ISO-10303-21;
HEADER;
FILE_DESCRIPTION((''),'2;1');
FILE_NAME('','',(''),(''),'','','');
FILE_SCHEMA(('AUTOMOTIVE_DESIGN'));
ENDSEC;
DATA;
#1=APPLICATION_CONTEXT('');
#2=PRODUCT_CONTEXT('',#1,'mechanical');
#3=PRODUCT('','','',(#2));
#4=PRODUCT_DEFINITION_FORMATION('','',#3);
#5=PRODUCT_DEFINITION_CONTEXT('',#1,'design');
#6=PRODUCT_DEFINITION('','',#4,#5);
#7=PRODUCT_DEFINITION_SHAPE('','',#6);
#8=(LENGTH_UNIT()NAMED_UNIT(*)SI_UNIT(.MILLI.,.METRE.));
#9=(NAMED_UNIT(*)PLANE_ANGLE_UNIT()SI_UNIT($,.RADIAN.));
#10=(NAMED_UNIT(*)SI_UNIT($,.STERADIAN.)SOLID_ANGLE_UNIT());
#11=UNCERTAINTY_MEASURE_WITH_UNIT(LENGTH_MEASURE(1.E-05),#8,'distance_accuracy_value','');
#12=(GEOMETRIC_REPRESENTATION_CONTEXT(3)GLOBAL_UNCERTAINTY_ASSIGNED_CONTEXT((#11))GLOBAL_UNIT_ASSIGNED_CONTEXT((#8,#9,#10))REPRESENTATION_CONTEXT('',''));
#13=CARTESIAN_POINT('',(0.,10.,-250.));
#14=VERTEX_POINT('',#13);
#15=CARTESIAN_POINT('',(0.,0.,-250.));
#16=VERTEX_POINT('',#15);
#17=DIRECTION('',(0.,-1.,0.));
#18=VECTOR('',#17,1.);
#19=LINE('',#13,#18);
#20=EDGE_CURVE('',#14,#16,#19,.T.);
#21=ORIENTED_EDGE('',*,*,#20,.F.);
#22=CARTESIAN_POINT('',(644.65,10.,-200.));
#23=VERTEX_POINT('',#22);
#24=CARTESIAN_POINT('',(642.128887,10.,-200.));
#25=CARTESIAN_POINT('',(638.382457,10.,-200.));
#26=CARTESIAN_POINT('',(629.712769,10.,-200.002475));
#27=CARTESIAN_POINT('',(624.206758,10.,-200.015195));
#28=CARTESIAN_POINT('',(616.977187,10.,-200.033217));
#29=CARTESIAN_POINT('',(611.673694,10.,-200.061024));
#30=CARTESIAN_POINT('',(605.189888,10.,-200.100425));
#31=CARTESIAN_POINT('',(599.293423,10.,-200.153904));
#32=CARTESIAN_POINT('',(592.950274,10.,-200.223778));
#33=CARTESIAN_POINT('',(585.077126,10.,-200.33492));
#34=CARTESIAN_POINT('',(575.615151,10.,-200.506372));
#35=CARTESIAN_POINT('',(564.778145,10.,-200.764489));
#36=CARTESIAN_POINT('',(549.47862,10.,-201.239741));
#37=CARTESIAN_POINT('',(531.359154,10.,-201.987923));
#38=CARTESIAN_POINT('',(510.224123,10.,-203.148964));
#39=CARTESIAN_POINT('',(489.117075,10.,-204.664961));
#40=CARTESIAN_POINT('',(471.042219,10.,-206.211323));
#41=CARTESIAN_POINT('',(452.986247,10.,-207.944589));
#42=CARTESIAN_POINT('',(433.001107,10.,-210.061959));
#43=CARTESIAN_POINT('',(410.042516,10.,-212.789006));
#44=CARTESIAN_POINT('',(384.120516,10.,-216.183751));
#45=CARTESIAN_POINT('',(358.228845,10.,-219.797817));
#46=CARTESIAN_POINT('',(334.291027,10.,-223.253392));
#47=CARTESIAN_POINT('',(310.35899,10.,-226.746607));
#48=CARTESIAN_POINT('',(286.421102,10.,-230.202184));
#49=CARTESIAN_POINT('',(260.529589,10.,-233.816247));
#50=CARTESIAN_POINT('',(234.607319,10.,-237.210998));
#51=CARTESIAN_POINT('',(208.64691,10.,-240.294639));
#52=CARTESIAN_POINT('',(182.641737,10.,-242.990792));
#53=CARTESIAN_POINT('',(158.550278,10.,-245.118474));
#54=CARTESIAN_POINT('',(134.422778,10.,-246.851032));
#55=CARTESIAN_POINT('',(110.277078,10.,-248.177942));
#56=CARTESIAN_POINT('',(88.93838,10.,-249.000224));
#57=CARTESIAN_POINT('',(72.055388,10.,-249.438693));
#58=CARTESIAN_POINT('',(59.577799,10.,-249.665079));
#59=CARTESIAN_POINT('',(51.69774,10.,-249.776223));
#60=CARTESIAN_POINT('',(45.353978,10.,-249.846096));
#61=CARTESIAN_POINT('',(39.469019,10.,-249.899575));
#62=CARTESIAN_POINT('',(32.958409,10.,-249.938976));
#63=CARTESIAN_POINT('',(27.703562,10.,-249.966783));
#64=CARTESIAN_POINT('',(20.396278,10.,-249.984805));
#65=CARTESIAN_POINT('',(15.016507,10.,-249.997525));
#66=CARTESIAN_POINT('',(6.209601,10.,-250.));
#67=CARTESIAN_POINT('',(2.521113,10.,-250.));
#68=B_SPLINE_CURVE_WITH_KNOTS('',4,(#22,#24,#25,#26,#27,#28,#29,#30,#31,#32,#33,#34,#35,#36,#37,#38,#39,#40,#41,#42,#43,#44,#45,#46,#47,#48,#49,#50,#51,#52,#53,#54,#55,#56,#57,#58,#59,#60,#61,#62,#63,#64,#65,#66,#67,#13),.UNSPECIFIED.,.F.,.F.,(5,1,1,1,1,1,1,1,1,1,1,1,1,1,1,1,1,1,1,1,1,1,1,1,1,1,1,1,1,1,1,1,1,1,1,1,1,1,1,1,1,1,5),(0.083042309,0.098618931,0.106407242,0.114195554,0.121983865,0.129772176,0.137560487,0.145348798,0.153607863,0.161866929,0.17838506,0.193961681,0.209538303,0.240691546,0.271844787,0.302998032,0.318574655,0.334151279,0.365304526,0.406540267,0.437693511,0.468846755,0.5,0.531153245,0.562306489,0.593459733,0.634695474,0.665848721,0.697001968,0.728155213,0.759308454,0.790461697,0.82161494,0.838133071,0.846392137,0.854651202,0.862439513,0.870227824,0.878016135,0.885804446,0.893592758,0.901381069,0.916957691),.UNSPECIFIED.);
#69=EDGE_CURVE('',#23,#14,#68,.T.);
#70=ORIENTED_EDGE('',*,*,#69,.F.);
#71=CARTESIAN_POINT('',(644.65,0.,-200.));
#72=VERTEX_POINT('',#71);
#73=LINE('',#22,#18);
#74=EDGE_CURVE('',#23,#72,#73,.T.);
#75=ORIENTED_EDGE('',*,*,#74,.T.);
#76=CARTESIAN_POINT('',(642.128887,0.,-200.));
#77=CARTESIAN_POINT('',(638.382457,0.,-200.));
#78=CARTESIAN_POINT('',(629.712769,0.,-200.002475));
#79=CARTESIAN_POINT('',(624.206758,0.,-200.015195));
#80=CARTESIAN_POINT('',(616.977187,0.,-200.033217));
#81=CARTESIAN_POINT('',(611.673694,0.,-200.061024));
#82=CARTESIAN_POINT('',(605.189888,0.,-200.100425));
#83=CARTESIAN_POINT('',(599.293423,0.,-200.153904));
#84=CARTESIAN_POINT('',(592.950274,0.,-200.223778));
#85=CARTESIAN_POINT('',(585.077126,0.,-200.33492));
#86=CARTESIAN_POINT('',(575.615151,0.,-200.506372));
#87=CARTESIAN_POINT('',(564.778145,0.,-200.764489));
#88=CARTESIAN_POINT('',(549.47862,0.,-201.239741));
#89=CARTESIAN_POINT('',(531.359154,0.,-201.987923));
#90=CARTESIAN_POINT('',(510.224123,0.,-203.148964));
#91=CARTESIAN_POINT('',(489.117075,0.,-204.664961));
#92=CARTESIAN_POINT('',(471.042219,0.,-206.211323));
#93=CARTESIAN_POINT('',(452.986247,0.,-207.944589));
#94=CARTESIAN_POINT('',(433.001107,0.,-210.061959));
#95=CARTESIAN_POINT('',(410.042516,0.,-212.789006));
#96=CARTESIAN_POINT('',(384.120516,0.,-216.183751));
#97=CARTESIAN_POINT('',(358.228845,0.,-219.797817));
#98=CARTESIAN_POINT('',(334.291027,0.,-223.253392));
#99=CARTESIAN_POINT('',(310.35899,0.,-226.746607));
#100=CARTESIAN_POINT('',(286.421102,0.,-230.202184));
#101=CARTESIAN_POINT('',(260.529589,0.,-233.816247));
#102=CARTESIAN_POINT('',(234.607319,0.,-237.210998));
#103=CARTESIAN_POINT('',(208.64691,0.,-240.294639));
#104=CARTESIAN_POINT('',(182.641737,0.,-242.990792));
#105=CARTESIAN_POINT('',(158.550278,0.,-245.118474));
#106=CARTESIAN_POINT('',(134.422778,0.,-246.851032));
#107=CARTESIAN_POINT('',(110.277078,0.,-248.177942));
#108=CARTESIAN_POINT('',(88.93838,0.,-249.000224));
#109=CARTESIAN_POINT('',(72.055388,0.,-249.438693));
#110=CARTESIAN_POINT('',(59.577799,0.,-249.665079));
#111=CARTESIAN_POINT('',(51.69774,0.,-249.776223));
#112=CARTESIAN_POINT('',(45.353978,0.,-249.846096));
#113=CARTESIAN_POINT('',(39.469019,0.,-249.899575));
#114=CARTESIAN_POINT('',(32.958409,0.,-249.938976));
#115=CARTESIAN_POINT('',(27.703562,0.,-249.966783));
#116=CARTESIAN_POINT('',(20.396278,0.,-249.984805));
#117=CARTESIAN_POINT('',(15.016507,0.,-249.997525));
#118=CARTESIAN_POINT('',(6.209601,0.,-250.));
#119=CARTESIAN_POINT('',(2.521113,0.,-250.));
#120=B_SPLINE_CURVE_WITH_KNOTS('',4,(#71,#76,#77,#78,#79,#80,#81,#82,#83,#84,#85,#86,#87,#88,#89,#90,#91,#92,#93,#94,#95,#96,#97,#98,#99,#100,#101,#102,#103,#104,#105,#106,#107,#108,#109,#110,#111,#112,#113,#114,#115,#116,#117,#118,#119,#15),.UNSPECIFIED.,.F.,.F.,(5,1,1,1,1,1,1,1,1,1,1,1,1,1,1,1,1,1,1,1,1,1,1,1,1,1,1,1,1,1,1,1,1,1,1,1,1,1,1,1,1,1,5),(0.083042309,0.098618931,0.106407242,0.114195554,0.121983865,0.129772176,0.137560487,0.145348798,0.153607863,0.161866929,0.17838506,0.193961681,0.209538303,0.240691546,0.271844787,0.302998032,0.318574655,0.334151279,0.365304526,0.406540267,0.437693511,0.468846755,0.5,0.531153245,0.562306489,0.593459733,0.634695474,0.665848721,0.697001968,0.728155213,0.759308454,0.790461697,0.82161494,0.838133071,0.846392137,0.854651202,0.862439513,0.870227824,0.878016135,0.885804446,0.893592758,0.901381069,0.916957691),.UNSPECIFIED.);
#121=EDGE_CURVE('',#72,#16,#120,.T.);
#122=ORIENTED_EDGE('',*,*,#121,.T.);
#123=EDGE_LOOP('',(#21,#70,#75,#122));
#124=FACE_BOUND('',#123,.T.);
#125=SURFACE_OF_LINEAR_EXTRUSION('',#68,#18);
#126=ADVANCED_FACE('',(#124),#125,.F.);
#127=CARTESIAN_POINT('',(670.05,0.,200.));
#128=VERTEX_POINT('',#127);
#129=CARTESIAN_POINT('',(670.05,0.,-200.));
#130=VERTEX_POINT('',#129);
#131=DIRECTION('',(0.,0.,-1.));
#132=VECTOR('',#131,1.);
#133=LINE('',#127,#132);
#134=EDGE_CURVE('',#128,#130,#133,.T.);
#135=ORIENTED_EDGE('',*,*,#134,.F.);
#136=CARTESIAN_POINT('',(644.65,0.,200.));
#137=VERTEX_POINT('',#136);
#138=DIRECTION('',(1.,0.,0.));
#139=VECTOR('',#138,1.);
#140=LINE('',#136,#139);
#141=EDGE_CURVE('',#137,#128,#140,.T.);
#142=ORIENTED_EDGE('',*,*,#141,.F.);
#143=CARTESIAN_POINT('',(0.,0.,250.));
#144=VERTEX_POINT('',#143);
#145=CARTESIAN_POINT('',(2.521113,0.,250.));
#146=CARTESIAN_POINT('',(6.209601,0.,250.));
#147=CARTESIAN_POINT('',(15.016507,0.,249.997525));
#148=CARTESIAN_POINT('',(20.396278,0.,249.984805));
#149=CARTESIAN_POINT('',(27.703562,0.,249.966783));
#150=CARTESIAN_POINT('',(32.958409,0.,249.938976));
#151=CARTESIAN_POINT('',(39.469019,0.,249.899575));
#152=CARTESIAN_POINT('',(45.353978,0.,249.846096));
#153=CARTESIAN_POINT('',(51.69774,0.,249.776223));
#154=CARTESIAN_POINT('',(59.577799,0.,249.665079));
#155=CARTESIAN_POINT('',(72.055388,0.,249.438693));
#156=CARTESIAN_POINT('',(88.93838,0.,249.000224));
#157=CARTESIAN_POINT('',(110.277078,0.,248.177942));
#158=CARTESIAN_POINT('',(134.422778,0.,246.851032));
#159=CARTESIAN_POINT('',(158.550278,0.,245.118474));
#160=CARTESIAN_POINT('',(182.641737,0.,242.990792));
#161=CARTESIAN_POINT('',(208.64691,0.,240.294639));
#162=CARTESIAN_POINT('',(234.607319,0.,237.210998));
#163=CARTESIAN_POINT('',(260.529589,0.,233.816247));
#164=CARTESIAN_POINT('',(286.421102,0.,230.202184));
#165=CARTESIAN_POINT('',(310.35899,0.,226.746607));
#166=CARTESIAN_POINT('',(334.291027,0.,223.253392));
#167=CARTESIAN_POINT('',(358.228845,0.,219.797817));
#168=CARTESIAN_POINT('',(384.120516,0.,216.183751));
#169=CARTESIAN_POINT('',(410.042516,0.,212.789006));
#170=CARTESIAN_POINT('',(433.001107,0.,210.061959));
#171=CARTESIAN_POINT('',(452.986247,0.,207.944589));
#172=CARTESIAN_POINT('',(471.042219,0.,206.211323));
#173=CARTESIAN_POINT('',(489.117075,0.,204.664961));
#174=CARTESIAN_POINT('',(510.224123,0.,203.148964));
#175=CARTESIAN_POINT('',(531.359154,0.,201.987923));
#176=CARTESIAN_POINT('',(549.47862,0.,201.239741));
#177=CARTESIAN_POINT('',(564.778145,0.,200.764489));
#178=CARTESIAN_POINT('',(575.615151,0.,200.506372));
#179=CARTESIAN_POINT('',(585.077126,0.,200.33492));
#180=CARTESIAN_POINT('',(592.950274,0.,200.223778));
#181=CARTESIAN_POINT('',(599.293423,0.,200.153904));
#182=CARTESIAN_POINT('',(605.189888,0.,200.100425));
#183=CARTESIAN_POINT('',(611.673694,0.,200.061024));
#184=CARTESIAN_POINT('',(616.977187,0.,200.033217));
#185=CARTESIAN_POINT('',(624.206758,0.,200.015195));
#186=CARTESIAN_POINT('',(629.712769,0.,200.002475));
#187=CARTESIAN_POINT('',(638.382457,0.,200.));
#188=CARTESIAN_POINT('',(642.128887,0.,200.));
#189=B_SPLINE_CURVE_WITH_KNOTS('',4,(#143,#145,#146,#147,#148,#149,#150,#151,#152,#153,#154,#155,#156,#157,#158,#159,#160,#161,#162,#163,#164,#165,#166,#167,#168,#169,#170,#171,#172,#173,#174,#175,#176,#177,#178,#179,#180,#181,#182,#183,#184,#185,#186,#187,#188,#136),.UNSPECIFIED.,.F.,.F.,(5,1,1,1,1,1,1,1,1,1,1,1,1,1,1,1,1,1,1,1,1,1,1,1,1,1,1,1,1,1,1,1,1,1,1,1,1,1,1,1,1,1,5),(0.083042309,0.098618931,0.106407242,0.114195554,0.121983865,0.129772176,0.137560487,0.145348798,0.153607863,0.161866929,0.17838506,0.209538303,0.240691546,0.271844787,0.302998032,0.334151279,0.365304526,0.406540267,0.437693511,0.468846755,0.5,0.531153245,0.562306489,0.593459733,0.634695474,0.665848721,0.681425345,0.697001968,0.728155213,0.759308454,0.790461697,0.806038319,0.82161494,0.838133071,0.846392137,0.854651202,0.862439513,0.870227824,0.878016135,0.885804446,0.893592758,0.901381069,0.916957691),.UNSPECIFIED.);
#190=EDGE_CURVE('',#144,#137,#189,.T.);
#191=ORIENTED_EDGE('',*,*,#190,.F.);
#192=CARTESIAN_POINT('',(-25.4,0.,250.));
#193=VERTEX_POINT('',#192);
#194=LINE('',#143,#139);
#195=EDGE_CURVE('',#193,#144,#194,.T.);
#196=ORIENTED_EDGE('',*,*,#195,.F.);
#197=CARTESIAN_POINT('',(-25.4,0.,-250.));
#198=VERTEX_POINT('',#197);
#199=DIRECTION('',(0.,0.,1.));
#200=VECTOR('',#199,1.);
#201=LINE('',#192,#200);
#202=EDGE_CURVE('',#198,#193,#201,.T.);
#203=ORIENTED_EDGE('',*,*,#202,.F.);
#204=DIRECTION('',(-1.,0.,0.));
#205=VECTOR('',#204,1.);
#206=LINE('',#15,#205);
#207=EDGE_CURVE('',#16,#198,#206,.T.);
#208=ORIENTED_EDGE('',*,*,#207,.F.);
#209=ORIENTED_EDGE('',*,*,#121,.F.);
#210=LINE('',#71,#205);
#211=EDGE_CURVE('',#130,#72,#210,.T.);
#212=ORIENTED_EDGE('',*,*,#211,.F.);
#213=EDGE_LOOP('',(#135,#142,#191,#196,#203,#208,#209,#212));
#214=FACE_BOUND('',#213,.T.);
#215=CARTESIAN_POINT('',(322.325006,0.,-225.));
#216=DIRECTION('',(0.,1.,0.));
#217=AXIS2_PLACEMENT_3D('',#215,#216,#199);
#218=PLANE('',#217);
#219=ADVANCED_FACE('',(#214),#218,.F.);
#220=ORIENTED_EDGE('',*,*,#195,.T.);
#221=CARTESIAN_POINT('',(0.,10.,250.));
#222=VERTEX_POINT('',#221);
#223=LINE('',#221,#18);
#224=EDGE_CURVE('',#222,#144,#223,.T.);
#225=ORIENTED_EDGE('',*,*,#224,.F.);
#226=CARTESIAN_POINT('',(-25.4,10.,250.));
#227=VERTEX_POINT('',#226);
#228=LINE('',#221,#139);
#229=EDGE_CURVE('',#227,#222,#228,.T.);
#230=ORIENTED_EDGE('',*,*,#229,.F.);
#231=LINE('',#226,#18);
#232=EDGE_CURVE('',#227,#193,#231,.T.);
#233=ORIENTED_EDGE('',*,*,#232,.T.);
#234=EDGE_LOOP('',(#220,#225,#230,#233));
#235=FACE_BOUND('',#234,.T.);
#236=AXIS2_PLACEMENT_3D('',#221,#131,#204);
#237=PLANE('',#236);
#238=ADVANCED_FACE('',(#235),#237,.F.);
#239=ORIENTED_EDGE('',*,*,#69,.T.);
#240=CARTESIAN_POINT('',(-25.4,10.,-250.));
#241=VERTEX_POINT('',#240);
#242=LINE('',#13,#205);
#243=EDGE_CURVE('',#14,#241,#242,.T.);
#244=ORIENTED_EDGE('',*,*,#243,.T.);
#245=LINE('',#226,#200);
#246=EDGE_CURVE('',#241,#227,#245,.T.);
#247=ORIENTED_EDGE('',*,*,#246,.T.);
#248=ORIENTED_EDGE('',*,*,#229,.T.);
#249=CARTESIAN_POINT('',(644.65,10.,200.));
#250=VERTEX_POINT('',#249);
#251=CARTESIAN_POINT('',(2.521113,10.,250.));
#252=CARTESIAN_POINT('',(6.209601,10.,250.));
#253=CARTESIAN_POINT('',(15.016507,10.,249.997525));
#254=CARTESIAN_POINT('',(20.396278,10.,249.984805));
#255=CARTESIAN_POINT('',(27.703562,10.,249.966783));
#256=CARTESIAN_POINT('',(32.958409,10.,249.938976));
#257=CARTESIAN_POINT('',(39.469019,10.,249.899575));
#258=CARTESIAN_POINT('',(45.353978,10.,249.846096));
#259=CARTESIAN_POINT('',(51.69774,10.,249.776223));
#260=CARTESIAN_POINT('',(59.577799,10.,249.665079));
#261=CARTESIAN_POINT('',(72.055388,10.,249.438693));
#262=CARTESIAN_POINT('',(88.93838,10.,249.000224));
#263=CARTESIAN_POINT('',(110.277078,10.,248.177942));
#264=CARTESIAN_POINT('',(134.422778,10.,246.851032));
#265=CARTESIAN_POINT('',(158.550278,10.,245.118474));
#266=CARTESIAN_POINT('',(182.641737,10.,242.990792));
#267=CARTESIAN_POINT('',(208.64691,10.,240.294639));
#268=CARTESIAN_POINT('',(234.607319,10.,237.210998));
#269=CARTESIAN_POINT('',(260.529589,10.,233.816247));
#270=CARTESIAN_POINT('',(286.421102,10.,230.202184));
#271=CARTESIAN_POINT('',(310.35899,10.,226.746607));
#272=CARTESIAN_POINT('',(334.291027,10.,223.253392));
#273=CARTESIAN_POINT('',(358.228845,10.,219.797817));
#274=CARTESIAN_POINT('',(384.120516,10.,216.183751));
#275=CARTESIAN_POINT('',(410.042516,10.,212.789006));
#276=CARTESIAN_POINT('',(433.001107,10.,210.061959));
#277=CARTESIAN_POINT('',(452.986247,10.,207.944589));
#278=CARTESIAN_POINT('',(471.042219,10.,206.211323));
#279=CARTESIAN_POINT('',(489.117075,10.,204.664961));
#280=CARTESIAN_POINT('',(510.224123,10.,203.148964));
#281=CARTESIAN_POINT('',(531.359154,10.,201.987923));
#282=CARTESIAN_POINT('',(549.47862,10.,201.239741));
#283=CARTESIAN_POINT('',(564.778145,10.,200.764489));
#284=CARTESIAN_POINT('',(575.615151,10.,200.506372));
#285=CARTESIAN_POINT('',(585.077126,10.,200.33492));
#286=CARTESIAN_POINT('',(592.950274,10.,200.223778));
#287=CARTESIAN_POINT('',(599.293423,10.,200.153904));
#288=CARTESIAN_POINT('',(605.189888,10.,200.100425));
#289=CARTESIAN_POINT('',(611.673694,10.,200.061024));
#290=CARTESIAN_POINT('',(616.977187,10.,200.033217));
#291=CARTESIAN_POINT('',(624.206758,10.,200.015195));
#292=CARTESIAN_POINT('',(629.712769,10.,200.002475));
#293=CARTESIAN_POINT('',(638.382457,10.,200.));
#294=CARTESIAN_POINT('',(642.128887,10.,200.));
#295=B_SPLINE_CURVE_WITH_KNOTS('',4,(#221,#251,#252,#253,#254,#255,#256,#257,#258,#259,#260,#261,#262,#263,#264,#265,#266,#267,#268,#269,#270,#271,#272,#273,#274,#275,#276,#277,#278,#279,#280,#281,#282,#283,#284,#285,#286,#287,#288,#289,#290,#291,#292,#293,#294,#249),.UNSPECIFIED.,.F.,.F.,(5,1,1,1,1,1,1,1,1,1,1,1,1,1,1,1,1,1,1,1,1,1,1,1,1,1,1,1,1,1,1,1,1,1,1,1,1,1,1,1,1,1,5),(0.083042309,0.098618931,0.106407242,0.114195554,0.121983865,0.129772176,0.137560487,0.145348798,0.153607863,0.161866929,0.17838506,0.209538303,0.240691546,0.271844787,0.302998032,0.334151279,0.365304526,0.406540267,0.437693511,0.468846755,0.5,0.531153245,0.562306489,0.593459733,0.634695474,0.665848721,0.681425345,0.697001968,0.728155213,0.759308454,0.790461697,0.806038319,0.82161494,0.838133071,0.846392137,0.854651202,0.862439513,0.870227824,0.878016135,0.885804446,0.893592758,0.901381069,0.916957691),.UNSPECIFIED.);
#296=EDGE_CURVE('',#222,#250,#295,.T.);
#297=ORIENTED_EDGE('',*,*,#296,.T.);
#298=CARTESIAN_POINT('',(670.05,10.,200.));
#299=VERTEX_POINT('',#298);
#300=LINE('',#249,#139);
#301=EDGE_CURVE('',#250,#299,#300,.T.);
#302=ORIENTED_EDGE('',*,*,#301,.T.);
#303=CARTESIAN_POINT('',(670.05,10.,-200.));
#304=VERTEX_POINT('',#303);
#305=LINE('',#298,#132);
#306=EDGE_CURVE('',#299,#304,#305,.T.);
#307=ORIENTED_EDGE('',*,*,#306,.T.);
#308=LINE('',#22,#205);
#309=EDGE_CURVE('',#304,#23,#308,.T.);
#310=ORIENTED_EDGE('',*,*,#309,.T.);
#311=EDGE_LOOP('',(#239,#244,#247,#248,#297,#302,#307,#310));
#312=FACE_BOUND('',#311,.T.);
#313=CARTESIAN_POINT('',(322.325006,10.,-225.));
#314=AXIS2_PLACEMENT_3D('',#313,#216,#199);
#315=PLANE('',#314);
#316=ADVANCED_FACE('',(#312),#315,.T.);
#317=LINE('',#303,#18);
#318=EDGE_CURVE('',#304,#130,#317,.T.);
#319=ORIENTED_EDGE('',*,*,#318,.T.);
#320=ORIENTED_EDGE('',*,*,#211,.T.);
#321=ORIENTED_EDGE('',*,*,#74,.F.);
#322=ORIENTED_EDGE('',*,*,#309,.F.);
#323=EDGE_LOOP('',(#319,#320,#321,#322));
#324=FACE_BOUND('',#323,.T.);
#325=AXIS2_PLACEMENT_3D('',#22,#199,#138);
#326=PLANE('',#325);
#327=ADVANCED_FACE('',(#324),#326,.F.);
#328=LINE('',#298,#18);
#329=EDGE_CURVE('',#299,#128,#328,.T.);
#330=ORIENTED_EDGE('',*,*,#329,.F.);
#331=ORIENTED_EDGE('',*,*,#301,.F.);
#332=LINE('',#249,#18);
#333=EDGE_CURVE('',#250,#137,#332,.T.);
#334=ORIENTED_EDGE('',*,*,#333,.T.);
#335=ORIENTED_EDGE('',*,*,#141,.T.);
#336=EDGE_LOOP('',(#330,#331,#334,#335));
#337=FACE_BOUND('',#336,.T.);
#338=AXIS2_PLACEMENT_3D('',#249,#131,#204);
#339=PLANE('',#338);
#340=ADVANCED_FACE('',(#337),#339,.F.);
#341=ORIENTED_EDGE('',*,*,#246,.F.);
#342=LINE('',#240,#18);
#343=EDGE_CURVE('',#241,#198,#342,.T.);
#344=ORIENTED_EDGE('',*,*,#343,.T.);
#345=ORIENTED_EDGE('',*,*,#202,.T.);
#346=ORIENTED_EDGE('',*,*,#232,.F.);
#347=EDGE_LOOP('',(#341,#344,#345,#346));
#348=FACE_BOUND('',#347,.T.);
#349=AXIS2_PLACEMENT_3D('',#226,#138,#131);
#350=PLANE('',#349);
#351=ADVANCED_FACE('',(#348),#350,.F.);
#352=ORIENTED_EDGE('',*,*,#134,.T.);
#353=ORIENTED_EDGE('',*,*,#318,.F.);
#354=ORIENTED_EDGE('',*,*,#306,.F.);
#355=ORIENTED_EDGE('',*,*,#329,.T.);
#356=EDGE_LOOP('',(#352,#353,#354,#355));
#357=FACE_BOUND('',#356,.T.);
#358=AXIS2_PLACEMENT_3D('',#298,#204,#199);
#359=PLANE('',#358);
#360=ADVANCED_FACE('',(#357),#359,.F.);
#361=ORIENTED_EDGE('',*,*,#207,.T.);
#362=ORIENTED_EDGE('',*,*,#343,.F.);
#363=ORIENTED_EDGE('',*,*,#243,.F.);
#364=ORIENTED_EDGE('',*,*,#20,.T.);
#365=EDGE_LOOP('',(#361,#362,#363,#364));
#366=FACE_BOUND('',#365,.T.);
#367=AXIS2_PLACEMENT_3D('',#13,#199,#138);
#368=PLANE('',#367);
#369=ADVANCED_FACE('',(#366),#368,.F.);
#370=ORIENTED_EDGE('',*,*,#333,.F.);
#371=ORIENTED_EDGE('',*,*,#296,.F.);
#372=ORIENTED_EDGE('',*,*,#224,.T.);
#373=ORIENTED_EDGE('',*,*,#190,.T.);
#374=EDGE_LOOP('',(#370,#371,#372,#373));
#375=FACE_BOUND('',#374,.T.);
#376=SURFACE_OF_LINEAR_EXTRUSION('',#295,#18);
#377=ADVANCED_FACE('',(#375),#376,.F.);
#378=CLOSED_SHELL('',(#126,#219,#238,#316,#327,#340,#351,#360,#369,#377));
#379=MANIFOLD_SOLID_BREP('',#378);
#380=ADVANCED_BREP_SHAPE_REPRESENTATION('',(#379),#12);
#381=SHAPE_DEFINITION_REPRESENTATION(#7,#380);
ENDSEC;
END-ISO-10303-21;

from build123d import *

# Parameters (mm, degrees)
BOSS_EXTRUDE1_DEPTH = 10


with BuildPart() as part:
    # Sketch2 → Boss-Extrude1 (new body)
    with BuildSketch(Plane(origin=(0, 0, 0), x_dir=(1, 0, 0), z_dir=(0, 1, 0))):
        with BuildLine():
            Line((644.65, -200), (670.05, -200))
            Line((670.05, -200), (670.05, 200))
            Line((670.05, 200), (644.65, 200))
            add(Edge.make_bspline(
                [(0, 250), (2.521112677, 250), (6.209600906, 250.000000013), (15.016507291, 249.997525286), (20.396277848, 249.984804824), (27.70356243, 249.966782803), (32.958409359, 249.938976051), (39.469019484, 249.899575195), (45.353978298, 249.846095557), (51.697739738, 249.776222765), (59.577798777, 249.665078925), (72.055387865, 249.438693031), (88.938380089, 249.000224322), (110.277077943, 248.177942168), (134.422777808, 246.851031881), (158.55027755, 245.118473578), (182.641737439, 242.990791615), (208.646910269, 240.294638586), (234.607319329, 237.210998029), (260.529589307, 233.816247037), (286.421101664, 230.202184451), (310.358989888, 226.746607494), (334.291027152, 223.253392129), (358.228844737, 219.797816743), (384.120515654, 216.183750571), (410.042516088, 212.789005998), (433.001107322, 210.061958697), (452.986247288, 207.944588912), (471.042219017, 206.211322516), (489.117075126, 204.66496144), (510.224122789, 203.148964488), (531.359153773, 201.987923337), (549.478620255, 201.239741285), (564.778145102, 200.764489073), (575.615150606, 200.506371685), (585.077126141, 200.334920277), (592.950274347, 200.223777792), (599.293422889, 200.153904026), (605.18988803, 200.10042507), (611.673694072, 200.061023789), (616.977186653, 200.033217286), (624.206757774, 200.015195133), (629.71276906, 200.002474739), (638.382457019, 199.999999985), (642.128887323, 200), (644.65, 200)],
                knots=[0.083042309, 0.083042309, 0.083042309, 0.083042309, 0.083042309, 0.098618931, 0.106407242, 0.114195554, 0.121983865, 0.129772176, 0.137560487, 0.145348798, 0.153607863, 0.161866929, 0.17838506, 0.209538303, 0.240691546, 0.271844787, 0.302998032, 0.334151279, 0.365304526, 0.406540267, 0.437693511, 0.468846755, 0.5, 0.531153245, 0.562306489, 0.593459733, 0.634695474, 0.665848721, 0.681425345, 0.697001968, 0.728155213, 0.759308454, 0.790461697, 0.806038319, 0.82161494, 0.838133071, 0.846392137, 0.854651202, 0.862439513, 0.870227824, 0.878016135, 0.885804446, 0.893592758, 0.901381069, 0.916957691, 0.916957691, 0.916957691, 0.916957691, 0.916957691], degree=4))
            Line((0, 250), (-25.4, 250))
            Line((-25.4, 250), (-25.4, -250))
            Line((-25.4, -250), (0, -250))
            add(Edge.make_bspline(
                [(0, -250), (2.521112677, -250), (6.209600906, -250.000000013), (15.016507291, -249.997525286), (20.396277848, -249.984804824), (27.70356243, -249.966782803), (32.958409359, -249.938976051), (39.469019484, -249.899575195), (45.353978298, -249.846095557), (51.697739738, -249.776222765), (59.577798777, -249.665078925), (72.055387865, -249.438693031), (88.938380089, -249.000224322), (110.277077943, -248.177942168), (134.422777808, -246.851031881), (158.550277549, -245.118473579), (182.641737439, -242.990791616), (208.646910269, -240.294638586), (234.607319329, -237.210998029), (260.529589307, -233.816247037), (286.421101664, -230.202184451), (310.358989888, -226.746607494), (334.291027152, -223.253392129), (358.228844737, -219.797816743), (384.120515654, -216.183750571), (410.042516088, -212.789005998), (433.001107322, -210.061958698), (452.986247288, -207.944588912), (471.042219017, -206.211322517), (489.117075126, -204.66496144), (510.224122789, -203.148964488), (531.359153773, -201.987923337), (549.478620255, -201.239741285), (564.778145102, -200.764489073), (575.615150606, -200.506371685), (585.077126141, -200.334920277), (592.950274347, -200.223777792), (599.293422889, -200.153904027), (605.18988803, -200.10042507), (611.673694072, -200.061023789), (616.977186653, -200.033217286), (624.206757774, -200.015195133), (629.71276906, -200.002474739), (638.382457019, -199.999999985), (642.128887323, -200), (644.65, -200)],
                knots=[0.083042309, 0.083042309, 0.083042309, 0.083042309, 0.083042309, 0.098618931, 0.106407242, 0.114195554, 0.121983865, 0.129772176, 0.137560487, 0.145348798, 0.153607863, 0.161866929, 0.17838506, 0.209538303, 0.240691546, 0.271844787, 0.302998032, 0.334151279, 0.365304526, 0.406540267, 0.437693511, 0.468846755, 0.5, 0.531153245, 0.562306489, 0.593459733, 0.634695474, 0.665848721, 0.681425345, 0.697001968, 0.728155213, 0.759308454, 0.790461697, 0.806038319, 0.82161494, 0.838133071, 0.846392137, 0.854651202, 0.862439513, 0.870227824, 0.878016135, 0.885804446, 0.893592758, 0.901381069, 0.916957691, 0.916957691, 0.916957691, 0.916957691, 0.916957691], degree=4))
        make_face()
    extrude(amount=BOSS_EXTRUDE1_DEPTH)


solid = part.part
